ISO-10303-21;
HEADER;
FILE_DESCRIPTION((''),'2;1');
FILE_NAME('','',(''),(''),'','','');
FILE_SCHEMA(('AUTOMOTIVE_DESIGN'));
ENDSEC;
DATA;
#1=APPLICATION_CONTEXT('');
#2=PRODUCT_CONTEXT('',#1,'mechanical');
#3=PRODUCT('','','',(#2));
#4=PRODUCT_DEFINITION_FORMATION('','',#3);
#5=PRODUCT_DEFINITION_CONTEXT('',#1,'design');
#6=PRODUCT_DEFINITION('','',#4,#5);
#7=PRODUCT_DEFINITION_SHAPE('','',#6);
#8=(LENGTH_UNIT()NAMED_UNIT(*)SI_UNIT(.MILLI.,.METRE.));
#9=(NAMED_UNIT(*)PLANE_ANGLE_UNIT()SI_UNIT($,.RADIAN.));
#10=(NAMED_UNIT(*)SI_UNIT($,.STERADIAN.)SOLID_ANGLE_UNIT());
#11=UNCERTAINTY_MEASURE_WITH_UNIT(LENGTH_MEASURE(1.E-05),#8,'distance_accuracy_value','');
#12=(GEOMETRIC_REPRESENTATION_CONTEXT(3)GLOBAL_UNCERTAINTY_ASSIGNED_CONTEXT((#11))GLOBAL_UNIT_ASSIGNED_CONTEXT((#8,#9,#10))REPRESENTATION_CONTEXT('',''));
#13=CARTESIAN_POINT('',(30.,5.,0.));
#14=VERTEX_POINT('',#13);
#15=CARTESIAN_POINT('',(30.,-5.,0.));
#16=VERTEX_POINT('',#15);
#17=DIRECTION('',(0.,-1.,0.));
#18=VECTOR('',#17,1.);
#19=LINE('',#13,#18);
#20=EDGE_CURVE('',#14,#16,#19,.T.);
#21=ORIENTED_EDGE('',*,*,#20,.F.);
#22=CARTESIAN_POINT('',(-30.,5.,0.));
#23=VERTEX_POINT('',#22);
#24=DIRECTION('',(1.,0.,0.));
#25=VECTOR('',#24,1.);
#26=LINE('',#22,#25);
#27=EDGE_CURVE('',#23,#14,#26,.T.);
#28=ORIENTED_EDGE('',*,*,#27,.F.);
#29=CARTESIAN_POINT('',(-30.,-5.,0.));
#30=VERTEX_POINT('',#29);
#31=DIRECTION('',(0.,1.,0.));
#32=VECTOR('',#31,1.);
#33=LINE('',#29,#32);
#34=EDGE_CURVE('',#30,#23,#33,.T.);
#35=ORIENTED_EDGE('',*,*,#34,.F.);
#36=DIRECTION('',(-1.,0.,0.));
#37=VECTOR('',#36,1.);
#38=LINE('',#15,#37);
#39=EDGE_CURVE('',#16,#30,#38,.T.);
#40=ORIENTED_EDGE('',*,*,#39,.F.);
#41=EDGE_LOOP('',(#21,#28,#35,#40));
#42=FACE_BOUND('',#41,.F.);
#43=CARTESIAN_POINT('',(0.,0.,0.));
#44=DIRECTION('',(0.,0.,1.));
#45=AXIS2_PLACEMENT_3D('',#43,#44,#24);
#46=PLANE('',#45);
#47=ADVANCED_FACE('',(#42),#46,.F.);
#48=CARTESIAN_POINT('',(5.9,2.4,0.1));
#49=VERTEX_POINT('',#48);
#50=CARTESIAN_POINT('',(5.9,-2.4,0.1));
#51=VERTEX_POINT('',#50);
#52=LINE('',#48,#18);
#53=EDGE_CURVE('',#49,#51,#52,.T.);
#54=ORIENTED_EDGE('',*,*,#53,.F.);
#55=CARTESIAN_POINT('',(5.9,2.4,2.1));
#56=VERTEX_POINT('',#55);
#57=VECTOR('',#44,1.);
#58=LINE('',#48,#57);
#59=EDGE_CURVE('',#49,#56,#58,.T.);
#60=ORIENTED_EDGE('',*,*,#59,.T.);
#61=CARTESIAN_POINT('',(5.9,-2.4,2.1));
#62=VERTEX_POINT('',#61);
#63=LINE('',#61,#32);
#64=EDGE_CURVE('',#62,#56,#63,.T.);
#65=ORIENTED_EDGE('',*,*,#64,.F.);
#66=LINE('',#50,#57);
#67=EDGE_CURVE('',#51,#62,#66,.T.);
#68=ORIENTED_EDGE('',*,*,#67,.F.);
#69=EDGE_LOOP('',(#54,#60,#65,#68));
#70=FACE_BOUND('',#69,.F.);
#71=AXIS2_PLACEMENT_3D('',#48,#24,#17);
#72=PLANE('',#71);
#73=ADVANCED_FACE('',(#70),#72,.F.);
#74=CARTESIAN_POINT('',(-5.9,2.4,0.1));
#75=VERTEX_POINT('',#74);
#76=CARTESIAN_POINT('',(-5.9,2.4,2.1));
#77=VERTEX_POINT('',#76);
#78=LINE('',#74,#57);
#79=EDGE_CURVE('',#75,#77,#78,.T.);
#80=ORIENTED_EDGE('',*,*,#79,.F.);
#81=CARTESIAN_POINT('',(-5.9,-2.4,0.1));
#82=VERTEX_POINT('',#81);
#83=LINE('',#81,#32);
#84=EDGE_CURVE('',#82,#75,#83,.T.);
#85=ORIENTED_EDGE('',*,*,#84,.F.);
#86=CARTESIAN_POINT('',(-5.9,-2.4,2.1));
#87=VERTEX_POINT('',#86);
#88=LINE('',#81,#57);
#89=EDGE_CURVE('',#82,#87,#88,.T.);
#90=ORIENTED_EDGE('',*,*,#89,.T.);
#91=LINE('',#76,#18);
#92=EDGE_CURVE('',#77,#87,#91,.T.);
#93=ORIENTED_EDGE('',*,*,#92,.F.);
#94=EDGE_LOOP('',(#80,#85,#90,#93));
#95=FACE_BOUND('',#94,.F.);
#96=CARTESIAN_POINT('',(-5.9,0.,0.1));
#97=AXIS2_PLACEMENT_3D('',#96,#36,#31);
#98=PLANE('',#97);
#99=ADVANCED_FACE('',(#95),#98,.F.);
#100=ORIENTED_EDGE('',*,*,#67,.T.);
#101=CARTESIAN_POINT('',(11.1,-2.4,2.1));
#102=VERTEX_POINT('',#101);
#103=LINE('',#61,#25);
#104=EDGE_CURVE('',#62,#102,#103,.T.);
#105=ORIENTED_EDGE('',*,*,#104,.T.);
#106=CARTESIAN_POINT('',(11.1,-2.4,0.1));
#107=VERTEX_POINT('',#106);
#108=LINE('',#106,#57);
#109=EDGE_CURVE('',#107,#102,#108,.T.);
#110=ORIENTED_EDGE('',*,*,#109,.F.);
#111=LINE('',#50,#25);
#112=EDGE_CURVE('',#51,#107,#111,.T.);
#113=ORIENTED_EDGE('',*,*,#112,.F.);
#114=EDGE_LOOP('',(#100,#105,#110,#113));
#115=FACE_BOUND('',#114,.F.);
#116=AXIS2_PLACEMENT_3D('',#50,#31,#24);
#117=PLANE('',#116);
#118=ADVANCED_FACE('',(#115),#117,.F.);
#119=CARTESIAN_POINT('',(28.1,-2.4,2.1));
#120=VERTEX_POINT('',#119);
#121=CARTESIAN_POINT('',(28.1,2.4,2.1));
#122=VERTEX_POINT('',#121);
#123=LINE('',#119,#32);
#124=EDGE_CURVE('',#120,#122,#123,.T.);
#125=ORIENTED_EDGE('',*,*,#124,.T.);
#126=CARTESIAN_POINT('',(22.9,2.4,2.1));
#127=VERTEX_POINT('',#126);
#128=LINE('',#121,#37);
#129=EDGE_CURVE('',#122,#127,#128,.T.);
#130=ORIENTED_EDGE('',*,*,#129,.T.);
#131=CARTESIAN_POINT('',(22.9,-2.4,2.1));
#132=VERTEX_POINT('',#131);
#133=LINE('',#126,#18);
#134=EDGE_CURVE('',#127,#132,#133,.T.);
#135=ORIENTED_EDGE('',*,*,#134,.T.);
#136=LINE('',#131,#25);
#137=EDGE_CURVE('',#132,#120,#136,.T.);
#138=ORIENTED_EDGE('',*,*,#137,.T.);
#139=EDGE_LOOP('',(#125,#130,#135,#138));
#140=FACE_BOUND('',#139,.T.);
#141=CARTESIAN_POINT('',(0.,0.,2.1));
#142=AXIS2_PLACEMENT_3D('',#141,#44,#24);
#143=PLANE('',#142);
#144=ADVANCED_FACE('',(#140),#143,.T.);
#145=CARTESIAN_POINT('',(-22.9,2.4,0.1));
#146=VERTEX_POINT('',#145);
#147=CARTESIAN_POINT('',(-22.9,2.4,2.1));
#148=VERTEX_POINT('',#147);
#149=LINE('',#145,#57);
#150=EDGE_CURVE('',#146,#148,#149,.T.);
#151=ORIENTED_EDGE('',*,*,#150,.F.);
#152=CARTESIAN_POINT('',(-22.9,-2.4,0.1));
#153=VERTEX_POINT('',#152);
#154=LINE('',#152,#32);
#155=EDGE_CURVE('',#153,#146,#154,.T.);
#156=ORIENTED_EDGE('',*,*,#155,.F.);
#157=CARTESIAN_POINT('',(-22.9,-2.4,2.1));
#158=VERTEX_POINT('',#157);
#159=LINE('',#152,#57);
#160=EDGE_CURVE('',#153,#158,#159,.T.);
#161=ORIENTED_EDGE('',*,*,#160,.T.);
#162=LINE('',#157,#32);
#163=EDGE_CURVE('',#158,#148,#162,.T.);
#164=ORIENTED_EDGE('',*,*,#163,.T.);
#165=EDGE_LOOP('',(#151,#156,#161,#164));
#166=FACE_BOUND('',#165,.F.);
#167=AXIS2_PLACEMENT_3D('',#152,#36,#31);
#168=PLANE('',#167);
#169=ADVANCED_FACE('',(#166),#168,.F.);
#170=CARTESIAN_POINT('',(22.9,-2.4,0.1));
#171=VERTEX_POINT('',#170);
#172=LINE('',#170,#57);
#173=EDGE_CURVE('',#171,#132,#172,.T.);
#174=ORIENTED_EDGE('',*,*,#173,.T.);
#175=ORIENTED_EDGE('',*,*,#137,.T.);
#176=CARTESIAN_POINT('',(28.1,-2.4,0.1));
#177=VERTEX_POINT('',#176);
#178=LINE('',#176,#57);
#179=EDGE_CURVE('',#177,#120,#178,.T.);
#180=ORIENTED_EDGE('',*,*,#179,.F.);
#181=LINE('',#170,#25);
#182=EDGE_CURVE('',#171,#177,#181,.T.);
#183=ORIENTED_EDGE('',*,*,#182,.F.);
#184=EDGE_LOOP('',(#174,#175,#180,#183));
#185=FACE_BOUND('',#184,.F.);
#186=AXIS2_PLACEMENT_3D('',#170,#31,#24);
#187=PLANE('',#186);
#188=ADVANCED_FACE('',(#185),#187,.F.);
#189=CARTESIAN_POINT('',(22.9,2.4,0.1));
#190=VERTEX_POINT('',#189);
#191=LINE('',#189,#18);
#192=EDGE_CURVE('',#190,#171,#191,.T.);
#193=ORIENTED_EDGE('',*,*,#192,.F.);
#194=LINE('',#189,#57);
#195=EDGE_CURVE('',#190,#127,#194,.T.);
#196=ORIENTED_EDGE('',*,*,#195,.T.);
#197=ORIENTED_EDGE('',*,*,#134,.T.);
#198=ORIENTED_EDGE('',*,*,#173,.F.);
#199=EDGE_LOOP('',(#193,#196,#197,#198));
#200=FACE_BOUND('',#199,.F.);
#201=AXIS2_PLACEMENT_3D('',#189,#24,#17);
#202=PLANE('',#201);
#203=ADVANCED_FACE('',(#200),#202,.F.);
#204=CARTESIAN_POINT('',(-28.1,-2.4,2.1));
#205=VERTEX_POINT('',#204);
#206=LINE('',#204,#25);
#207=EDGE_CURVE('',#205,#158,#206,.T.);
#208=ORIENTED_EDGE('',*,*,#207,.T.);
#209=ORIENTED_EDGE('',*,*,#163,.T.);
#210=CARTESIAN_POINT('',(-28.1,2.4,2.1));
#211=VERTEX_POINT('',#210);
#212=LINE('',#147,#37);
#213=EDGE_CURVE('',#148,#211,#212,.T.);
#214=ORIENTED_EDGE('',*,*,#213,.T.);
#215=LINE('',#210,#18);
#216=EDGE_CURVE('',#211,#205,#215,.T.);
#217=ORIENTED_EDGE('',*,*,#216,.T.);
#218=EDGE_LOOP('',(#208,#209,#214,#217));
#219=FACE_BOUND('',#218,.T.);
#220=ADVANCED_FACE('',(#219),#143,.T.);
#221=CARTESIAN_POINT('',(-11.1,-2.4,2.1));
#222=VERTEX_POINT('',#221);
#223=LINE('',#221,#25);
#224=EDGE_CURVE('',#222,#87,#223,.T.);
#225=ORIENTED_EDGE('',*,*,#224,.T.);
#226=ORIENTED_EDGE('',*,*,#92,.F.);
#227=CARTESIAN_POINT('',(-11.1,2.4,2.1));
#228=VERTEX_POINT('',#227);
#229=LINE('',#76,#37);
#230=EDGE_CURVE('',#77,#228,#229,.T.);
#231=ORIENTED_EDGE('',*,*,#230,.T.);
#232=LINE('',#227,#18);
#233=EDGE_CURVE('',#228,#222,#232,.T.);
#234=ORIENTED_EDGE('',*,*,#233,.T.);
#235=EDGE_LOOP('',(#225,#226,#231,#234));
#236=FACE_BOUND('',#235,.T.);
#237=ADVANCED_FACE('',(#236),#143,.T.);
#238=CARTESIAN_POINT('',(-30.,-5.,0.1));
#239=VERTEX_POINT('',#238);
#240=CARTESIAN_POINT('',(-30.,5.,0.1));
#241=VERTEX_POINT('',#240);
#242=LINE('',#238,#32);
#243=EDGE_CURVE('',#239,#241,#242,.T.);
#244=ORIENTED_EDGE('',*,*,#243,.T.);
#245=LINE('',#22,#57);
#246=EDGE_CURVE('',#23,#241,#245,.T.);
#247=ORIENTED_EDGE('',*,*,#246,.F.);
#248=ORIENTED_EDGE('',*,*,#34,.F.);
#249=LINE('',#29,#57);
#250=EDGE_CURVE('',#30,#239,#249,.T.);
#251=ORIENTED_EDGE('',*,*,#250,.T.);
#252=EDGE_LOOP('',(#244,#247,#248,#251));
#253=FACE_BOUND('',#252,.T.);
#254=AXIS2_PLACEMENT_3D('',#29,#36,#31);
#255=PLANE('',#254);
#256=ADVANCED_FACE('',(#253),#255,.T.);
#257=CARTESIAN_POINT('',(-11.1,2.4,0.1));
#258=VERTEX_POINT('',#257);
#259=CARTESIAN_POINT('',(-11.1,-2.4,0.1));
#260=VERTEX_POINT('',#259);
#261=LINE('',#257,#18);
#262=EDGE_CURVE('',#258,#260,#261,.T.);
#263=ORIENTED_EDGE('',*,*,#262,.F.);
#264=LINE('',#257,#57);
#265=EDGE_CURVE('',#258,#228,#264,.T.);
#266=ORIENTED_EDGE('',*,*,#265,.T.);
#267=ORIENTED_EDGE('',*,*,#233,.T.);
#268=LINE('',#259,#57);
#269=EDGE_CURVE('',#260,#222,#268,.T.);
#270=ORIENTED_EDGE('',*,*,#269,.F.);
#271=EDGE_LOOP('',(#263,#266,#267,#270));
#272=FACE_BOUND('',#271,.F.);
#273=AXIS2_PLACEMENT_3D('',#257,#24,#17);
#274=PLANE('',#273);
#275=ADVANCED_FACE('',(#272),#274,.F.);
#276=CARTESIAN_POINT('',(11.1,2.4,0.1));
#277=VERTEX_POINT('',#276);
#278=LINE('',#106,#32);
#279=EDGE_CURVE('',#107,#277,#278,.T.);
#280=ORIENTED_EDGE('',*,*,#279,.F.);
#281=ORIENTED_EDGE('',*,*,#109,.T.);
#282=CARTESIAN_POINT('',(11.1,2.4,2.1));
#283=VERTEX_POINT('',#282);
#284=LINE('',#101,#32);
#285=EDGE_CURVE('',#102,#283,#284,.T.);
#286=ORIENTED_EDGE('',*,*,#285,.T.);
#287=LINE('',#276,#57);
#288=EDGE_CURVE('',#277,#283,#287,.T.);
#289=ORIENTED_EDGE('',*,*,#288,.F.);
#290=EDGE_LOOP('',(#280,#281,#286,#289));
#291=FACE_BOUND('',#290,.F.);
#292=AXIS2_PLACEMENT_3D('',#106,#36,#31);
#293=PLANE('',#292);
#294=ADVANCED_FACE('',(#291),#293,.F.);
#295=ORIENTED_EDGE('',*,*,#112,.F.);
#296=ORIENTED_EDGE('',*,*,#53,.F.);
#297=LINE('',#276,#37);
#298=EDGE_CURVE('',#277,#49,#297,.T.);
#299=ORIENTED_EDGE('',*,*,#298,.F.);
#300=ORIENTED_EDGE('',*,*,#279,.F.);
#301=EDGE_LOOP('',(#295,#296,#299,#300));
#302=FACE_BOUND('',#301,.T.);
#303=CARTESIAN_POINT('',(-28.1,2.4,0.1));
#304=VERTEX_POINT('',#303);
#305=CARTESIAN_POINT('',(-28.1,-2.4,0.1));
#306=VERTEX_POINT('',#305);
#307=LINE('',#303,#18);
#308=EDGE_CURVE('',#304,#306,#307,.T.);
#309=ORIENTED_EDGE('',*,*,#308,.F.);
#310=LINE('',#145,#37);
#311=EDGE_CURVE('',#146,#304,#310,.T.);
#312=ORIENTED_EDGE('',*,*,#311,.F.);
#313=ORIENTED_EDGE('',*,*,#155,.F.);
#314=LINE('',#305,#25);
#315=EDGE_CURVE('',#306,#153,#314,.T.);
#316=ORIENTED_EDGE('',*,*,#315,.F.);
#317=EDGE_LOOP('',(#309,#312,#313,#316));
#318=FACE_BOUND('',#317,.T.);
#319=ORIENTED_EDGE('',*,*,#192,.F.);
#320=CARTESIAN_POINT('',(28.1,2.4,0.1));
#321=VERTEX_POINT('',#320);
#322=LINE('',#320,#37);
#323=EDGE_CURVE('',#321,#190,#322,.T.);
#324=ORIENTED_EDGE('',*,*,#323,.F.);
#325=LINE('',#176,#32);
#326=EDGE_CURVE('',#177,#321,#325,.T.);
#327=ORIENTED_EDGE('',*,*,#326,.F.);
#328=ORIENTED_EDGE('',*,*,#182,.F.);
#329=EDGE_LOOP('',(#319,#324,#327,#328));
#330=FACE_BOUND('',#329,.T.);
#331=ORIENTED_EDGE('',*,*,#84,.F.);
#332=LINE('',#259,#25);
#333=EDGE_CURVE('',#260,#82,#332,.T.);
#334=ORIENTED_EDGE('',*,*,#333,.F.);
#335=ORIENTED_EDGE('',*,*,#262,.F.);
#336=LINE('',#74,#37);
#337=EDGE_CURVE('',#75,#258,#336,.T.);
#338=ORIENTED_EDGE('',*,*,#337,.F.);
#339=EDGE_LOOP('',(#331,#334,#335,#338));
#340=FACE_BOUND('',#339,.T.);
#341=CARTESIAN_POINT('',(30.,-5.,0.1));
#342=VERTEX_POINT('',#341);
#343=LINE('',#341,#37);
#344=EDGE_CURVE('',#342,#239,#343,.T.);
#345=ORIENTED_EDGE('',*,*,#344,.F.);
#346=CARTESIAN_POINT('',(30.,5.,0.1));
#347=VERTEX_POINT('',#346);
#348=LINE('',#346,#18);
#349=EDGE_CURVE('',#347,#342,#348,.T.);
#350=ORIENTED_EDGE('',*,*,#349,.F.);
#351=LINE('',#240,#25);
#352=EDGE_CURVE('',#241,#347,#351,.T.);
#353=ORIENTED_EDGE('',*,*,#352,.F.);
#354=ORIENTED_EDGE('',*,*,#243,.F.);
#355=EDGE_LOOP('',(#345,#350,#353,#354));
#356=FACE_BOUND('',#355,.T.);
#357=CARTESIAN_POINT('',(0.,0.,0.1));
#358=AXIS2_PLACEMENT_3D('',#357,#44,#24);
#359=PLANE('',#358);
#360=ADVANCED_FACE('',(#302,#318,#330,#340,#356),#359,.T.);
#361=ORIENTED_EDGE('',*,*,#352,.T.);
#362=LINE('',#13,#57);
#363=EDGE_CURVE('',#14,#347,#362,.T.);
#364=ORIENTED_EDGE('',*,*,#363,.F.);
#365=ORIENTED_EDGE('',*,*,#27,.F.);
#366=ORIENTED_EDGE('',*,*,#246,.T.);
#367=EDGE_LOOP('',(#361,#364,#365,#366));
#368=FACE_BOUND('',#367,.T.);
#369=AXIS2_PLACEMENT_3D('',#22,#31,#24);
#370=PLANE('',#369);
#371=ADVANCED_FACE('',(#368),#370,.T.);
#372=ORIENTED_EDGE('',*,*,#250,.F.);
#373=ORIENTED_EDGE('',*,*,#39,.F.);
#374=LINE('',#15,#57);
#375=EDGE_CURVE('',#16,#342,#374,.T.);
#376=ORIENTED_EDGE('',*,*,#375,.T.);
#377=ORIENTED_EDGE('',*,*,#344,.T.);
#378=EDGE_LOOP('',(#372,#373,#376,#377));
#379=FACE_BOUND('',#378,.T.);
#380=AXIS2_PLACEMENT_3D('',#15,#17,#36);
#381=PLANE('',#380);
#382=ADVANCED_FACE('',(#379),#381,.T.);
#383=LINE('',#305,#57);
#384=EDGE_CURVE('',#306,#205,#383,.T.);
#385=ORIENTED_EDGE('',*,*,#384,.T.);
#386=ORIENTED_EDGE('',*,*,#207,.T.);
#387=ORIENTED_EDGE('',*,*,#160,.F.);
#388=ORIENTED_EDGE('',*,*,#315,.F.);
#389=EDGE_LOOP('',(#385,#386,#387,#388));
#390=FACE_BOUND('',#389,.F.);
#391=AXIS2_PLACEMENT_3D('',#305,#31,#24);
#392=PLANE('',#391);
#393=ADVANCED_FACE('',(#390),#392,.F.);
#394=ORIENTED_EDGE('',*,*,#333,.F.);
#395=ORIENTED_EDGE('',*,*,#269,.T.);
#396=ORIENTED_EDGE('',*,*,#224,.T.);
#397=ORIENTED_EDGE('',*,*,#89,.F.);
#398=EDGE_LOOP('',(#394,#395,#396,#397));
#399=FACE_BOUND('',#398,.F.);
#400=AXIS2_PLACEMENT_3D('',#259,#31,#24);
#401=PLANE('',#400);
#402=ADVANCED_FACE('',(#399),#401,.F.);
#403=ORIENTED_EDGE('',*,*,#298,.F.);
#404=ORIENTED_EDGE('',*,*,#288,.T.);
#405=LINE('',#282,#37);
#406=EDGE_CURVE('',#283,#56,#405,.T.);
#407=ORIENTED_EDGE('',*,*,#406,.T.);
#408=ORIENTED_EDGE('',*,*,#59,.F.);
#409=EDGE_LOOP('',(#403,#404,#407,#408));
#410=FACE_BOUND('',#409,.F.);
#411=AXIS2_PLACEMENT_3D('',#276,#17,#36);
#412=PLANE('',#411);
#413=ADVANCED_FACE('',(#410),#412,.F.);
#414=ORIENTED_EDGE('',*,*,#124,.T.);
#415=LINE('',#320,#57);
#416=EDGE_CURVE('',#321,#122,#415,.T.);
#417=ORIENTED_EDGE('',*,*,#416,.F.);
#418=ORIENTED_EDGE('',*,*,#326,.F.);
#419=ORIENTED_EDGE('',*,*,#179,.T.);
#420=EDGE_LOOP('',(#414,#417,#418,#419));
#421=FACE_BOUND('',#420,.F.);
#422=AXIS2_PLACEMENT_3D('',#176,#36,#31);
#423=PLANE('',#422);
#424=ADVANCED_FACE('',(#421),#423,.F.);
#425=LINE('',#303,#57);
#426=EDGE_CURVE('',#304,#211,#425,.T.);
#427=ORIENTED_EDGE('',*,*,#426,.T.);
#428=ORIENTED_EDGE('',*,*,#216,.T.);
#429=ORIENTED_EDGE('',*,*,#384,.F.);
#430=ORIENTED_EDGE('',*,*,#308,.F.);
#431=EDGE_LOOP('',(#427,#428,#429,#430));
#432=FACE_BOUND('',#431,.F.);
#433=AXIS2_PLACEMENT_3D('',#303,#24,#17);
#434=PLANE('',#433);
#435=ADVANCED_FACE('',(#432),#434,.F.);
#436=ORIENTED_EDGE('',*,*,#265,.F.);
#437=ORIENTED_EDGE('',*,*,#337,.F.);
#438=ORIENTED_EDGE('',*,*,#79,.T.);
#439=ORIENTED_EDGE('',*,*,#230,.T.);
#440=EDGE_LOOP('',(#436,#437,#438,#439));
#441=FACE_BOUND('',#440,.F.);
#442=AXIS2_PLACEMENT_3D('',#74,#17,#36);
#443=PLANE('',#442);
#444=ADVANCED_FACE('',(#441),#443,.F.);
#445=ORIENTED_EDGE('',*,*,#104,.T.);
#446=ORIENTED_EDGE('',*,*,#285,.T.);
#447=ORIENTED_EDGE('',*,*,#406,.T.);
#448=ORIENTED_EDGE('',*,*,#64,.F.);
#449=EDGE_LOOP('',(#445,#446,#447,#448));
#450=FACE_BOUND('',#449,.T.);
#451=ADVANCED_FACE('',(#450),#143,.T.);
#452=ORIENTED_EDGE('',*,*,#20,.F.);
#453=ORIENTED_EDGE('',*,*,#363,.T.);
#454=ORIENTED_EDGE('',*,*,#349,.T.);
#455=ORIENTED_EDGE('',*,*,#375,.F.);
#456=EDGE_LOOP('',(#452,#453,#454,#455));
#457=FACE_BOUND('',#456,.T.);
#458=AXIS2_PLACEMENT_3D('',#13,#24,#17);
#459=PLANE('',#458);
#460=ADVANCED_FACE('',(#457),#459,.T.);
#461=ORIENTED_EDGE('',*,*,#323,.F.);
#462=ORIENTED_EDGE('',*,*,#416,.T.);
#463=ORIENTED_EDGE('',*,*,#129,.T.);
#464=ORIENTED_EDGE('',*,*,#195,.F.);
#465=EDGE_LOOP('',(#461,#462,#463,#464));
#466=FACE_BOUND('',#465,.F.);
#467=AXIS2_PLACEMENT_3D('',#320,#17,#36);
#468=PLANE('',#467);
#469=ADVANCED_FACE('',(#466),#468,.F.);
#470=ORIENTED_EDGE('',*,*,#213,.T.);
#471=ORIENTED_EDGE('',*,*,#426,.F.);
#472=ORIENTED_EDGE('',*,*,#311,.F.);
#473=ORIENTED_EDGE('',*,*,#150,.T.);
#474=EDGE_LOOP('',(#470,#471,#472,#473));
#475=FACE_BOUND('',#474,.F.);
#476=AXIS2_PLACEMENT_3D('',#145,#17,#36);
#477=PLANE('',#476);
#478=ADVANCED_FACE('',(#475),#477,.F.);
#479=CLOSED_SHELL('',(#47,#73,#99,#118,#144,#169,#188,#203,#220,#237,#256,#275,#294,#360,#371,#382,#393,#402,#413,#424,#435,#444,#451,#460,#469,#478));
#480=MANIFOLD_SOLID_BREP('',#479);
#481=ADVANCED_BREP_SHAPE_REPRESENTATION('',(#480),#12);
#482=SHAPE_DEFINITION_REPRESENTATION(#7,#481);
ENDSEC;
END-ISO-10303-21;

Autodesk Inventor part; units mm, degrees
ref_plane "YZ Plane" through (0, 0, 0) normal (1, 0, 0) x (0, 1, 0)
ref_plane "XZ Plane" through (0, 0, 0) normal (0, 1, 0) x (-1, 0, 0)
ref_plane "XY Plane" through (0, 0, 0) normal (0, 0, 1) x (1, 0, 0)
sketch "스케치1" plane through (0, 0, 0) normal (0, 0, 1) x (1, 0, 0)
  line L0 (-30, 5) -> (30, 5)
  line L1 (30, 5) -> (30, -5)
  line L2 (30, -5) -> (-30, -5)
  line L3 (-30, -5) -> (-30, 5)
  line L4 (-30, 5) -> (30, -5) construction
  line L5 (30, 5) -> (-30, -5) construction
  point P0 (0, 0)
  dimension "d0" = 60
  dimension "d1" = 10
extrude "돌출1" add sketch "스케치1" along normal blind 0.1
sketch "스케치2" plane through (0, 0, 0.1) normal (0, 0, 1) x (1, 0, 0)
  line L0 (-28.1, -2.4) -> (-22.9, -2.4)
  line L1 (-22.9, -2.4) -> (-22.9, 2.4)
  line L2 (-22.9, 2.4) -> (-28.1, 2.4)
  line L3 (-28.1, 2.4) -> (-28.1, -2.4)
  line L4 (-28.1, -2.4) -> (-22.9, 2.4) construction
  line L5 (-22.9, -2.4) -> (-28.1, 2.4) construction
  line L6 (-30, 5) -> (-30, -5) projected
  line L7 (-11.1, -2.4) -> (-5.9, -2.4)
  line L8 (-5.9, -2.4) -> (-5.9, 2.4)
  line L9 (-5.9, 2.4) -> (-11.1, 2.4)
  line L10 (-11.1, 2.4) -> (-11.1, -2.4)
  line L11 (-11.1, -2.4) -> (-5.9, 2.4) construction
  line L12 (-5.9, -2.4) -> (-11.1, 2.4) construction
  line L13 (5.9, -2.4) -> (11.1, -2.4)
  line L14 (11.1, -2.4) -> (11.1, 2.4)
  line L15 (11.1, 2.4) -> (5.9, 2.4)
  line L16 (5.9, 2.4) -> (5.9, -2.4)
  line L17 (5.9, -2.4) -> (11.1, 2.4) construction
  line L18 (11.1, -2.4) -> (5.9, 2.4) construction
  line L19 (22.9, -2.4) -> (28.1, -2.4)
  line L20 (28.1, -2.4) -> (28.1, 2.4)
  line L21 (28.1, 2.4) -> (22.9, 2.4)
  line L22 (22.9, 2.4) -> (22.9, -2.4)
  line L23 (22.9, -2.4) -> (28.1, 2.4) construction
  line L24 (28.1, -2.4) -> (22.9, 2.4) construction
  line L25 (-5.9, 0) -> (5.9, 0)
  point P0 (0, 0)
  point P1 (-25.5, 0)
  point P2 (-8.5, 0)
  point P3 (8.5, 0)
  point P4 (25.5, 0)
  point P5 (0, 0)
  dimension "d4" = 5.2
  dimension "d5" = 4.8
  dimension "d9" = 17
extrude "돌출2" add sketch "스케치2" along normal blind 2
properties part number "네오픽셀"
